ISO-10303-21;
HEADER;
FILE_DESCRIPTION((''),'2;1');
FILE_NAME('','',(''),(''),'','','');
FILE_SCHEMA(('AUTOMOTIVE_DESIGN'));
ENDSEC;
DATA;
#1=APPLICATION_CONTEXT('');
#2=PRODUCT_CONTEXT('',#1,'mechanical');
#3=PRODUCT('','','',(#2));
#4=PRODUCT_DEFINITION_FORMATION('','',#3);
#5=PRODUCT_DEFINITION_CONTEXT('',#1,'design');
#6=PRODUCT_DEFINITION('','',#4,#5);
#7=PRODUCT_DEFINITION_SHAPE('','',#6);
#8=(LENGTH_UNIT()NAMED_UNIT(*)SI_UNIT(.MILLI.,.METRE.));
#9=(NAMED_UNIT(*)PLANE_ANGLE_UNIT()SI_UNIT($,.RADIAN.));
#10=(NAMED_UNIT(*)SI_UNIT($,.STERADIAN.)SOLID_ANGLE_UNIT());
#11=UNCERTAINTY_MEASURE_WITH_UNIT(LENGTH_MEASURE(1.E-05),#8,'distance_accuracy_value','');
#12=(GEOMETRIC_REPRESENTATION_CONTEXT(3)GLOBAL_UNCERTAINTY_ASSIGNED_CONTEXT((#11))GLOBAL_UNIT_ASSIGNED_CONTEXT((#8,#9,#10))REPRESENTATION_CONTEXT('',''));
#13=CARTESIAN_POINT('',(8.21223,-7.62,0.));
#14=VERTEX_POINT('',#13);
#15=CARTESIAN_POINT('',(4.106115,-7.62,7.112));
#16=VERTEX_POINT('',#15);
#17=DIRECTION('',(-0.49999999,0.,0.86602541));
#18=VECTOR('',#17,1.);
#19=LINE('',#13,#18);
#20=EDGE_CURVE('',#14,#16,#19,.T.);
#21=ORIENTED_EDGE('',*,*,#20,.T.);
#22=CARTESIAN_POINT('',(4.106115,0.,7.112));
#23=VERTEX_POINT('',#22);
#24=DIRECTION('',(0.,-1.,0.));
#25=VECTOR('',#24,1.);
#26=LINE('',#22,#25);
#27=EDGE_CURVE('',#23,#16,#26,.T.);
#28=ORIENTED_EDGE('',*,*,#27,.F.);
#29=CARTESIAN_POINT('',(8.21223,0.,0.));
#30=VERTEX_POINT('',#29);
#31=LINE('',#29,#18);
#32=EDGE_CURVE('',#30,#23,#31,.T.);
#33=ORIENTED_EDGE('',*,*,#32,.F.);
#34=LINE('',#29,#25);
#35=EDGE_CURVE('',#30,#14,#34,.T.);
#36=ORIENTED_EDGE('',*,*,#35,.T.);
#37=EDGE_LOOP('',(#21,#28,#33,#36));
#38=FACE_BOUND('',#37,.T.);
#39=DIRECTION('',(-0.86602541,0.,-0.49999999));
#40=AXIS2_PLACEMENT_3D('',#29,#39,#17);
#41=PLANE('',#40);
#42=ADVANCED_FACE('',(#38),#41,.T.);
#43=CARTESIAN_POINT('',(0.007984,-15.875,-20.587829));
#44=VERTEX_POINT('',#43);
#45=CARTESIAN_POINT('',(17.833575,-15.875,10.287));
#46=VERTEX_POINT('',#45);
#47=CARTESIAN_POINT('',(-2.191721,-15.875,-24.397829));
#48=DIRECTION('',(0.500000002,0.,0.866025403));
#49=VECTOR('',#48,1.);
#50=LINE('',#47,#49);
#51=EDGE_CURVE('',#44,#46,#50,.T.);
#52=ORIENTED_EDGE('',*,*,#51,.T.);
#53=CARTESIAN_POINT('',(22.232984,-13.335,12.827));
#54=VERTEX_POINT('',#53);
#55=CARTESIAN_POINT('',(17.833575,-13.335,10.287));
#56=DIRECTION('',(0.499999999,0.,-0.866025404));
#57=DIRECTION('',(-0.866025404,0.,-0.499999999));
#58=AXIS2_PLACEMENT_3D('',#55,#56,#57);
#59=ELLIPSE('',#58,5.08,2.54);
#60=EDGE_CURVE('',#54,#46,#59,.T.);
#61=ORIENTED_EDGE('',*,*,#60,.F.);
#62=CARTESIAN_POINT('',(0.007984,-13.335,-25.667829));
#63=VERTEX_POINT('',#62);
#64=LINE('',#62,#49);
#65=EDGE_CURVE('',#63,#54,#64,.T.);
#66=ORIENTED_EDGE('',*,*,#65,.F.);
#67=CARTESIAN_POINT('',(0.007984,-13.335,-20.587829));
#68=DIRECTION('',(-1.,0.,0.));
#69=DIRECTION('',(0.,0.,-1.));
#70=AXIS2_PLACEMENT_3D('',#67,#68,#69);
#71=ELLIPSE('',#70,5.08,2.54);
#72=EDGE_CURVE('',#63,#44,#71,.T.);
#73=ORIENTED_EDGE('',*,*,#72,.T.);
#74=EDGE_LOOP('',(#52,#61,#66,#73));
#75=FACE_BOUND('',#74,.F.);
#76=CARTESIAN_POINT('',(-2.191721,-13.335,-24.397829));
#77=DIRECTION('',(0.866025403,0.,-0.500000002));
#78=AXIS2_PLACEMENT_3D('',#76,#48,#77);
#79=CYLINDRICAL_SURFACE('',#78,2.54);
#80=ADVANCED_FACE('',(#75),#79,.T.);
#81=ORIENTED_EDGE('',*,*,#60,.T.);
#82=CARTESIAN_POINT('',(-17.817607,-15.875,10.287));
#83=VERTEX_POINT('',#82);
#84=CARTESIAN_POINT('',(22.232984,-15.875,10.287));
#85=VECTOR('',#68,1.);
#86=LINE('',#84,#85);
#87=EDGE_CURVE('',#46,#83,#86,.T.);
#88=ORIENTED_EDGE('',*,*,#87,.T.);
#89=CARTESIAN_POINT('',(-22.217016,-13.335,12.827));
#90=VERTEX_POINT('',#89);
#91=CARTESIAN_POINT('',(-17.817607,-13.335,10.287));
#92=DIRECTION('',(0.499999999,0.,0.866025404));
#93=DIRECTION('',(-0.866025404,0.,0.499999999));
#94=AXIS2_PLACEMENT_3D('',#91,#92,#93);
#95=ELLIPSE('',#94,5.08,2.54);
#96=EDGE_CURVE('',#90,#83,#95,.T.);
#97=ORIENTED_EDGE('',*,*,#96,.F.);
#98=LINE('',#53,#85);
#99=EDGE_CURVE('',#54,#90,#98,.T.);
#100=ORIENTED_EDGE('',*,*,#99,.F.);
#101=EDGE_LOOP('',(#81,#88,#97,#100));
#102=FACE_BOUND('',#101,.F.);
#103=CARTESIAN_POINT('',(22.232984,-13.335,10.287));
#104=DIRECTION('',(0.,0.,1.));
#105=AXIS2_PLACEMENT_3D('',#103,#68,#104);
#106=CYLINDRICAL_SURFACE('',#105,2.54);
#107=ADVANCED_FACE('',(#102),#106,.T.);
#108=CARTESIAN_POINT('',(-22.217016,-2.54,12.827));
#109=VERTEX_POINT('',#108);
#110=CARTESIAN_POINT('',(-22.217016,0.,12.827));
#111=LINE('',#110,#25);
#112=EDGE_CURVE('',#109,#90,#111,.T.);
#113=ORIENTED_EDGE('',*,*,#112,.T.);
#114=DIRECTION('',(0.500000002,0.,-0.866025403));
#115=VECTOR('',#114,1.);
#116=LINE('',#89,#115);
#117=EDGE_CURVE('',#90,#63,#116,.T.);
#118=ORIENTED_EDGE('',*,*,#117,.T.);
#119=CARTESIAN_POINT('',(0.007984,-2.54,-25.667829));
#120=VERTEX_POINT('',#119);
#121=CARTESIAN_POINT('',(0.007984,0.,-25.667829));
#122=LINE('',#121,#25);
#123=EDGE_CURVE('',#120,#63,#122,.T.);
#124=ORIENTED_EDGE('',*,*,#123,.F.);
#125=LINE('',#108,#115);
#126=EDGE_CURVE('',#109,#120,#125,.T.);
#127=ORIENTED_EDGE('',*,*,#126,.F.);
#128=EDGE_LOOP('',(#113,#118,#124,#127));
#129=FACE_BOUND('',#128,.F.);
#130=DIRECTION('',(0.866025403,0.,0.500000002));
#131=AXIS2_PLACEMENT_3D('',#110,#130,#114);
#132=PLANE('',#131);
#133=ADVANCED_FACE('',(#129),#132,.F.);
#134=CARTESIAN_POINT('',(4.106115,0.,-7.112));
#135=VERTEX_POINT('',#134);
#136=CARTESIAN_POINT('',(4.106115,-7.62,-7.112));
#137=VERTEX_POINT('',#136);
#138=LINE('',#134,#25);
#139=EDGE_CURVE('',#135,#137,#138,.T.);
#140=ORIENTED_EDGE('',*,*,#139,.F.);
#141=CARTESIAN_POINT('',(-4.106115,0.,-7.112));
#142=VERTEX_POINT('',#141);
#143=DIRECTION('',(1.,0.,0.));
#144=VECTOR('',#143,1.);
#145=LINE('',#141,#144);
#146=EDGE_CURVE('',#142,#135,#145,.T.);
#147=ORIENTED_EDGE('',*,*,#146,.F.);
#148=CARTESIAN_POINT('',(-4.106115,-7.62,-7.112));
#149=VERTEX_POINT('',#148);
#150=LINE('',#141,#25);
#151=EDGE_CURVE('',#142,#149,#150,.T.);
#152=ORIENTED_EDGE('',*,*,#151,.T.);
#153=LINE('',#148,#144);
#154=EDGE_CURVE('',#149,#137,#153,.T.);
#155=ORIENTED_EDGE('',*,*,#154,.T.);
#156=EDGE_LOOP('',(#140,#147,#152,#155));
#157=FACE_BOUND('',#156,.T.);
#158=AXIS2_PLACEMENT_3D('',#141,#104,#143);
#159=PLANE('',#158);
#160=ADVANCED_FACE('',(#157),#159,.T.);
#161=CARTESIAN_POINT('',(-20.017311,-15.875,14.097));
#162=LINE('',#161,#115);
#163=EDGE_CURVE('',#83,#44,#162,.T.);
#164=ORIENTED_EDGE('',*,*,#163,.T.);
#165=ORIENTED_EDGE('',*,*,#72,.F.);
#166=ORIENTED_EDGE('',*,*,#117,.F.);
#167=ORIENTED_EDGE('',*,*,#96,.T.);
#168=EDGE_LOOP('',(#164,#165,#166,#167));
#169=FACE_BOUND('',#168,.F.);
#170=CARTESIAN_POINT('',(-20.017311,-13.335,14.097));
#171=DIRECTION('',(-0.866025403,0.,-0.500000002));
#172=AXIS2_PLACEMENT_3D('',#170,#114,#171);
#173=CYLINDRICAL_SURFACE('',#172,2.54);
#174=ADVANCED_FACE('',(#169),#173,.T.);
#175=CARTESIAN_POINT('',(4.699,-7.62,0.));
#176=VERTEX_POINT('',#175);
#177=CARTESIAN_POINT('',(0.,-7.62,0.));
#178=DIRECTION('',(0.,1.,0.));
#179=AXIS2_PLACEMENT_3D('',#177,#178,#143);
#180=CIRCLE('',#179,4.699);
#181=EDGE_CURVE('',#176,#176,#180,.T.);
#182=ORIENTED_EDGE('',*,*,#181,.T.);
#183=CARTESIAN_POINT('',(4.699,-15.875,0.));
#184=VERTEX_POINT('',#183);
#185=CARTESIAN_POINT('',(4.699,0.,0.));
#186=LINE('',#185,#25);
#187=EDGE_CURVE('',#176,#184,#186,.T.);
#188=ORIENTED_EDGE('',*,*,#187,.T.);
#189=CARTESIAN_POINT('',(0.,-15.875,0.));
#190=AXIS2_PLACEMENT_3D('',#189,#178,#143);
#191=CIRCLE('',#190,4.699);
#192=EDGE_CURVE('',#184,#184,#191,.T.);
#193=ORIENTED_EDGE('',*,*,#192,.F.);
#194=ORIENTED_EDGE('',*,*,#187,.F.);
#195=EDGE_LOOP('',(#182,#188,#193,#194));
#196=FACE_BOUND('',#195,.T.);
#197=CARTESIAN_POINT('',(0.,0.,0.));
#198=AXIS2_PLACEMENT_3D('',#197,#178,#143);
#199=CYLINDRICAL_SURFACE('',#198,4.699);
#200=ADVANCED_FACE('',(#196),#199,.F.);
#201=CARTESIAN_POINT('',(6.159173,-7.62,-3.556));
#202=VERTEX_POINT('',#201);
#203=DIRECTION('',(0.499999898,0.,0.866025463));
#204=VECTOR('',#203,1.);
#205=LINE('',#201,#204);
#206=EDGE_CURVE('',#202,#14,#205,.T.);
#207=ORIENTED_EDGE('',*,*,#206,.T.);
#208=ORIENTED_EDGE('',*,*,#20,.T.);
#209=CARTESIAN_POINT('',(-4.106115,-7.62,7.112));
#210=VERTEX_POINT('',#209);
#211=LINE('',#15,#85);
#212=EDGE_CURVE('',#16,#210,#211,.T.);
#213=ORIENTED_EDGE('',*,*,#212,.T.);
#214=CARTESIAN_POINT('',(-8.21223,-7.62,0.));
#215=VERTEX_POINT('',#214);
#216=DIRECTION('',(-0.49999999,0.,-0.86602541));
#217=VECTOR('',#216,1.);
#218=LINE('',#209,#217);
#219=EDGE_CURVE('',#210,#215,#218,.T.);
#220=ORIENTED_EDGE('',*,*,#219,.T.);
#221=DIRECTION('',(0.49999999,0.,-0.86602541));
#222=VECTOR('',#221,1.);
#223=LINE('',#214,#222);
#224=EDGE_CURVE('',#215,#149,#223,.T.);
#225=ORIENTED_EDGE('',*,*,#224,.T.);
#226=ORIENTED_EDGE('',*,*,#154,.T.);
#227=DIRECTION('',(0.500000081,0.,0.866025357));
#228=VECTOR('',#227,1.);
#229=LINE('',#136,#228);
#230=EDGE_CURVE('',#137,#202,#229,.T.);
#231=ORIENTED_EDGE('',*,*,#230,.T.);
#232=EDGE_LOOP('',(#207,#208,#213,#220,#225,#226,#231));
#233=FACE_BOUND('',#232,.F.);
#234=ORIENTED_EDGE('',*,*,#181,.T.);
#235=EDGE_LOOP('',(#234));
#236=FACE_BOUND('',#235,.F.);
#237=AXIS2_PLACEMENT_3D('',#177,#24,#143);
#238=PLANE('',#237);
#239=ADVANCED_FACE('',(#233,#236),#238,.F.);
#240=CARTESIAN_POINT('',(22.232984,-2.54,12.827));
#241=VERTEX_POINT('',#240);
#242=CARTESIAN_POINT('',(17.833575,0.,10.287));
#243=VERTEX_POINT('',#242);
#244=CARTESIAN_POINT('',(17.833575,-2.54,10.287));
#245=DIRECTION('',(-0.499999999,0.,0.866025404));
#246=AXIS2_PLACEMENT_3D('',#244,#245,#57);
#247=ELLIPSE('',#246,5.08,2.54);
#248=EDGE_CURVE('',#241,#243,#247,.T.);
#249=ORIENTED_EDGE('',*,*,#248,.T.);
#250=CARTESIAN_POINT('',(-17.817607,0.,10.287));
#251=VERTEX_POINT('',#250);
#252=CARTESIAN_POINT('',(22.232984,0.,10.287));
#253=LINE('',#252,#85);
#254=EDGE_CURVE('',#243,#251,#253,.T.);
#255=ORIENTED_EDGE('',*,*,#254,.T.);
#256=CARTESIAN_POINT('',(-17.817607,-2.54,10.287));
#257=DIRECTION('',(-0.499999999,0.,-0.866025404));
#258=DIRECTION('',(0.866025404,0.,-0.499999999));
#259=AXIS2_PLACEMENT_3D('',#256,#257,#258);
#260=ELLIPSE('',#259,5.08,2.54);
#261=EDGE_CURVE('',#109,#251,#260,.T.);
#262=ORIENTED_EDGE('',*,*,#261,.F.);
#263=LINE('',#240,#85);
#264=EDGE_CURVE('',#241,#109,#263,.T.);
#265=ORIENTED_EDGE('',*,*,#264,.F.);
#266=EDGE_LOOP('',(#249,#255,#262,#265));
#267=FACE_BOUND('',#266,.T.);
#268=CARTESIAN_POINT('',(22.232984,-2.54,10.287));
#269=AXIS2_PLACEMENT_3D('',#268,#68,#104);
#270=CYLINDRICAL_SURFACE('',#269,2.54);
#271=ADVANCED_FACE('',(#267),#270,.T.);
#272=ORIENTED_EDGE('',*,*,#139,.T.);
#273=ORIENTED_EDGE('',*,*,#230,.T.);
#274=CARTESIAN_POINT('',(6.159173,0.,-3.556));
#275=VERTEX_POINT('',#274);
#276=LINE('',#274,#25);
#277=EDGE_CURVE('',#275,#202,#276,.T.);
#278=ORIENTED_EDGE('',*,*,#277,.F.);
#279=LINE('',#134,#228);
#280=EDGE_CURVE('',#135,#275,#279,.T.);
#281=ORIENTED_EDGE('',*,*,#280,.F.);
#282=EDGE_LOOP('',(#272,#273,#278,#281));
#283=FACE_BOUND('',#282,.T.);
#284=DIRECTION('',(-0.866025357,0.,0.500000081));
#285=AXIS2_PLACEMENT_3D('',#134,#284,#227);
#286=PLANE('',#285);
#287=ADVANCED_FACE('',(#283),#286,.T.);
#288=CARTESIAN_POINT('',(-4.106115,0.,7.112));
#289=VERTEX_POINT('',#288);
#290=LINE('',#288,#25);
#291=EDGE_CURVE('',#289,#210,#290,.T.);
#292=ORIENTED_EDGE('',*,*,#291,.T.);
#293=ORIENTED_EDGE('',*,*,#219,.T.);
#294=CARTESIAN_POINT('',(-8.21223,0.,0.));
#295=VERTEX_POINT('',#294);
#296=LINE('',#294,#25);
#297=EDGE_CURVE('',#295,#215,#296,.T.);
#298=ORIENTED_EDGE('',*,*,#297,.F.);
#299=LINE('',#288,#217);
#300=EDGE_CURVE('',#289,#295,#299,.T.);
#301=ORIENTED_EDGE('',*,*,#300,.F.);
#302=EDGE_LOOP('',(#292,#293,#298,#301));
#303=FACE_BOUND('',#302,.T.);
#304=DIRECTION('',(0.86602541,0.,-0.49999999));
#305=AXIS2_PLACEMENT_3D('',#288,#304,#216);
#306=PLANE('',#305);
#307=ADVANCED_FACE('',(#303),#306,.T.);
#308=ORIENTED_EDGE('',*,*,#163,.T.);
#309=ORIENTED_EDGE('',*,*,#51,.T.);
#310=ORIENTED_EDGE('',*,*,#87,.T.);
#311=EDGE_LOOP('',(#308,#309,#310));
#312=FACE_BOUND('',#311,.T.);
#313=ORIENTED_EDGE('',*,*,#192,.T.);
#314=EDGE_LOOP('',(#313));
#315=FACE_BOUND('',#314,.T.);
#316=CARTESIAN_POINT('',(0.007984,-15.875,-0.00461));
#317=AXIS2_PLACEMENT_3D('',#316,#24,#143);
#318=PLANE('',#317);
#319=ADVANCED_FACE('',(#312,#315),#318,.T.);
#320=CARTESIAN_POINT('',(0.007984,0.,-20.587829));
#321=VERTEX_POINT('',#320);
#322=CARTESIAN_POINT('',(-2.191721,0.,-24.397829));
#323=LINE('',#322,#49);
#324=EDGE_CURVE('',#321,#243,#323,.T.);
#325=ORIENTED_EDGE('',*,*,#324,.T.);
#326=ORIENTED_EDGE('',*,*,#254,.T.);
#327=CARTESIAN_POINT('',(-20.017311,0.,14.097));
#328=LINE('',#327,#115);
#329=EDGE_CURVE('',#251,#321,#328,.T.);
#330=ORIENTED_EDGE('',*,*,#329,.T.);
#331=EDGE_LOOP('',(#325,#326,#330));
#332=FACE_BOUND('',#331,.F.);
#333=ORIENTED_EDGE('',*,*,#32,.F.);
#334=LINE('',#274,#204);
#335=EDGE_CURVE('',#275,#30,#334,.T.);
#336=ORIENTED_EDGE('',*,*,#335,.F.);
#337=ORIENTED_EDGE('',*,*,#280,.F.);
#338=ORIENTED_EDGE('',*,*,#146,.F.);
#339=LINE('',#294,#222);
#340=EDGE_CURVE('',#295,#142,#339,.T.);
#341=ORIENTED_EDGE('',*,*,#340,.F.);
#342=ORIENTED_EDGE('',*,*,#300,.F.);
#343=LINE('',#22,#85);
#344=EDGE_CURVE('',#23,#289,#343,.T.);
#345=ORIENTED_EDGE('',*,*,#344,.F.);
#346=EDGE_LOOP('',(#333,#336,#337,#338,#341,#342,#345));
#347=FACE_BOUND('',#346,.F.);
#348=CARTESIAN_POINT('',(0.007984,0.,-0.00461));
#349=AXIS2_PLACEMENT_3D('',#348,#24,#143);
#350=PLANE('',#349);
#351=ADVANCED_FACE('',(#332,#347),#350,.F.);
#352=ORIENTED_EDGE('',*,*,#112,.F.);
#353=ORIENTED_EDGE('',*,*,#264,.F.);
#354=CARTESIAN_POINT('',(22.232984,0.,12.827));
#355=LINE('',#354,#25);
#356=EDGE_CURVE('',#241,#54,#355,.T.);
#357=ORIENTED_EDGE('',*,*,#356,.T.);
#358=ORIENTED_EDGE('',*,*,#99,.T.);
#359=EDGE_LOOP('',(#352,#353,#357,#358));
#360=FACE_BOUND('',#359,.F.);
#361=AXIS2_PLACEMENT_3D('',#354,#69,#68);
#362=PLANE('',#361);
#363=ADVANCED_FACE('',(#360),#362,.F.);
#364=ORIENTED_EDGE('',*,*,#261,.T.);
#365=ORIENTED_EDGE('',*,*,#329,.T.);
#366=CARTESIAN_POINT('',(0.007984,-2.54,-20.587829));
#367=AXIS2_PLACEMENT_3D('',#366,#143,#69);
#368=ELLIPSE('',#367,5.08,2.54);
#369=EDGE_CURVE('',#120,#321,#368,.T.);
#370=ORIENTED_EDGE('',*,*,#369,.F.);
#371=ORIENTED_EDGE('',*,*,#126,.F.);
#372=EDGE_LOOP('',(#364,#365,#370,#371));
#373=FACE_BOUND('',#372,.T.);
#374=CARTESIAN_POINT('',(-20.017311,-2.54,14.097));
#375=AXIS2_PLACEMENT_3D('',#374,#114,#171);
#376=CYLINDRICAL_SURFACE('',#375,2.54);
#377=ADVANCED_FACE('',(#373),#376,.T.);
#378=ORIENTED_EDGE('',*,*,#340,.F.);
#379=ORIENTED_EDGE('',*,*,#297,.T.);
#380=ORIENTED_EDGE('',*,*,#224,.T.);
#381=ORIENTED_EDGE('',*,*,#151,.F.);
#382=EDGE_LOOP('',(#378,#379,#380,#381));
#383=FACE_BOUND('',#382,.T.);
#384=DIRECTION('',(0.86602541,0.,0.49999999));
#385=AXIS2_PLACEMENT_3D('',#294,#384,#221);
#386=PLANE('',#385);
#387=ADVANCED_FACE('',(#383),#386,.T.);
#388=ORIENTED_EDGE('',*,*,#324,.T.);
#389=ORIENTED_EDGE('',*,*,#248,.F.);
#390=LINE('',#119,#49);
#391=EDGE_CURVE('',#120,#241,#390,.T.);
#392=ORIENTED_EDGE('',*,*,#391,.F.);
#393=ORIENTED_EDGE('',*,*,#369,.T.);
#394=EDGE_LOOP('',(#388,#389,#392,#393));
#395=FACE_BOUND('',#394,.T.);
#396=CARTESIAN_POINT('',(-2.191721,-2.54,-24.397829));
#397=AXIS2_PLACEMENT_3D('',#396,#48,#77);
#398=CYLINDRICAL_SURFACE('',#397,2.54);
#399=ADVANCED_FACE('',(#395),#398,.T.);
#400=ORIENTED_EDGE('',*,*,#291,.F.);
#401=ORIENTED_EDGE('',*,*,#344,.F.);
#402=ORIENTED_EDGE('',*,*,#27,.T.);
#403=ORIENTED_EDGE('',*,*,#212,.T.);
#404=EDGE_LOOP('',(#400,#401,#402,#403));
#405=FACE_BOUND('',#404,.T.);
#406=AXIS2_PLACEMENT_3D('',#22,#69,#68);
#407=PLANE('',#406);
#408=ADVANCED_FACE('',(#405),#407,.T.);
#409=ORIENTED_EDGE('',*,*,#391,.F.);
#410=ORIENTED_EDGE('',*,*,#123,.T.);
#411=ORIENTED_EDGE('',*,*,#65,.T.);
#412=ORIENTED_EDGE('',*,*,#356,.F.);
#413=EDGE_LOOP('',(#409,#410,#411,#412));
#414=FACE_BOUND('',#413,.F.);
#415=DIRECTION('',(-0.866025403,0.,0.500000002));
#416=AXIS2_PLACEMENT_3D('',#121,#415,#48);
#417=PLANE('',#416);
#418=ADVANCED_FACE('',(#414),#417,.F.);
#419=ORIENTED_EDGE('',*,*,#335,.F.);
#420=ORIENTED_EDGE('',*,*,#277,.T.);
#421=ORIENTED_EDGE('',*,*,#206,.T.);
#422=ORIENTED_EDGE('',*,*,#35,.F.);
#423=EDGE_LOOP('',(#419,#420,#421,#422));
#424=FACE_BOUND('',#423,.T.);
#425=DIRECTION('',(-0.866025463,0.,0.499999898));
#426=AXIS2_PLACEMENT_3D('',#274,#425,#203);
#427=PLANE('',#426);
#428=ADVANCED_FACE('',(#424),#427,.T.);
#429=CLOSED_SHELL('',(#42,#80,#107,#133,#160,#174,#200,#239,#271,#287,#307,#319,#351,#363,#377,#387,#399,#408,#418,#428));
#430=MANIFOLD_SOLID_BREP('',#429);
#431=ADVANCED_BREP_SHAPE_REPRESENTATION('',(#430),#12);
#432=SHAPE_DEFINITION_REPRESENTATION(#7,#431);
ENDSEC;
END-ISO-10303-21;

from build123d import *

# Parameters (mm, degrees)
F2_DEPTH = 15.875
F3_DEPTH = 7.62
F4_R     = 4.699
F5_DEPTH = 25.4
F6_R     = 2.54


with BuildPart() as f2:
    # F0 (on Front) → F2 (new body)
    with BuildSketch(Plane.XZ):
        Polygon((22.232984, 12.827), (-22.217016, 12.827), (0.007984, -25.667829), align=None)
    extrude(amount=F2_DEPTH)

    # F1 (on Front) → F3 (cut)
    with BuildSketch(Plane.XZ):
        Polygon((6.159173, -3.556), (8.21223, 0), (4.106115, 7.112), (-4.106115, 7.112), (-8.21223, 0), (-4.106115, -7.112), (4.106115, -7.112), align=None)
    extrude(amount=F3_DEPTH, mode=Mode.SUBTRACT)

    # F4 (on Front) → F5 (cut)
    with BuildSketch(Plane.XZ):
        Circle(F4_R)
    extrude(amount=F5_DEPTH, mode=Mode.SUBTRACT)

    # F6
    f6_edges = [f2.edges().sort_by_distance(p)[0] for p in [
        (-11.104516, 0, -6.420415),
        (0.007984, 0, 12.827),
        (11.120484, 0, -6.420415),
        (0.007984, -15.875, 12.827),
        (-11.104516, -15.875, -6.420415),
        (11.120484, -15.875, -6.420415),
    ]]
    fillet(f6_edges, radius=F6_R)


solid = f2.part
